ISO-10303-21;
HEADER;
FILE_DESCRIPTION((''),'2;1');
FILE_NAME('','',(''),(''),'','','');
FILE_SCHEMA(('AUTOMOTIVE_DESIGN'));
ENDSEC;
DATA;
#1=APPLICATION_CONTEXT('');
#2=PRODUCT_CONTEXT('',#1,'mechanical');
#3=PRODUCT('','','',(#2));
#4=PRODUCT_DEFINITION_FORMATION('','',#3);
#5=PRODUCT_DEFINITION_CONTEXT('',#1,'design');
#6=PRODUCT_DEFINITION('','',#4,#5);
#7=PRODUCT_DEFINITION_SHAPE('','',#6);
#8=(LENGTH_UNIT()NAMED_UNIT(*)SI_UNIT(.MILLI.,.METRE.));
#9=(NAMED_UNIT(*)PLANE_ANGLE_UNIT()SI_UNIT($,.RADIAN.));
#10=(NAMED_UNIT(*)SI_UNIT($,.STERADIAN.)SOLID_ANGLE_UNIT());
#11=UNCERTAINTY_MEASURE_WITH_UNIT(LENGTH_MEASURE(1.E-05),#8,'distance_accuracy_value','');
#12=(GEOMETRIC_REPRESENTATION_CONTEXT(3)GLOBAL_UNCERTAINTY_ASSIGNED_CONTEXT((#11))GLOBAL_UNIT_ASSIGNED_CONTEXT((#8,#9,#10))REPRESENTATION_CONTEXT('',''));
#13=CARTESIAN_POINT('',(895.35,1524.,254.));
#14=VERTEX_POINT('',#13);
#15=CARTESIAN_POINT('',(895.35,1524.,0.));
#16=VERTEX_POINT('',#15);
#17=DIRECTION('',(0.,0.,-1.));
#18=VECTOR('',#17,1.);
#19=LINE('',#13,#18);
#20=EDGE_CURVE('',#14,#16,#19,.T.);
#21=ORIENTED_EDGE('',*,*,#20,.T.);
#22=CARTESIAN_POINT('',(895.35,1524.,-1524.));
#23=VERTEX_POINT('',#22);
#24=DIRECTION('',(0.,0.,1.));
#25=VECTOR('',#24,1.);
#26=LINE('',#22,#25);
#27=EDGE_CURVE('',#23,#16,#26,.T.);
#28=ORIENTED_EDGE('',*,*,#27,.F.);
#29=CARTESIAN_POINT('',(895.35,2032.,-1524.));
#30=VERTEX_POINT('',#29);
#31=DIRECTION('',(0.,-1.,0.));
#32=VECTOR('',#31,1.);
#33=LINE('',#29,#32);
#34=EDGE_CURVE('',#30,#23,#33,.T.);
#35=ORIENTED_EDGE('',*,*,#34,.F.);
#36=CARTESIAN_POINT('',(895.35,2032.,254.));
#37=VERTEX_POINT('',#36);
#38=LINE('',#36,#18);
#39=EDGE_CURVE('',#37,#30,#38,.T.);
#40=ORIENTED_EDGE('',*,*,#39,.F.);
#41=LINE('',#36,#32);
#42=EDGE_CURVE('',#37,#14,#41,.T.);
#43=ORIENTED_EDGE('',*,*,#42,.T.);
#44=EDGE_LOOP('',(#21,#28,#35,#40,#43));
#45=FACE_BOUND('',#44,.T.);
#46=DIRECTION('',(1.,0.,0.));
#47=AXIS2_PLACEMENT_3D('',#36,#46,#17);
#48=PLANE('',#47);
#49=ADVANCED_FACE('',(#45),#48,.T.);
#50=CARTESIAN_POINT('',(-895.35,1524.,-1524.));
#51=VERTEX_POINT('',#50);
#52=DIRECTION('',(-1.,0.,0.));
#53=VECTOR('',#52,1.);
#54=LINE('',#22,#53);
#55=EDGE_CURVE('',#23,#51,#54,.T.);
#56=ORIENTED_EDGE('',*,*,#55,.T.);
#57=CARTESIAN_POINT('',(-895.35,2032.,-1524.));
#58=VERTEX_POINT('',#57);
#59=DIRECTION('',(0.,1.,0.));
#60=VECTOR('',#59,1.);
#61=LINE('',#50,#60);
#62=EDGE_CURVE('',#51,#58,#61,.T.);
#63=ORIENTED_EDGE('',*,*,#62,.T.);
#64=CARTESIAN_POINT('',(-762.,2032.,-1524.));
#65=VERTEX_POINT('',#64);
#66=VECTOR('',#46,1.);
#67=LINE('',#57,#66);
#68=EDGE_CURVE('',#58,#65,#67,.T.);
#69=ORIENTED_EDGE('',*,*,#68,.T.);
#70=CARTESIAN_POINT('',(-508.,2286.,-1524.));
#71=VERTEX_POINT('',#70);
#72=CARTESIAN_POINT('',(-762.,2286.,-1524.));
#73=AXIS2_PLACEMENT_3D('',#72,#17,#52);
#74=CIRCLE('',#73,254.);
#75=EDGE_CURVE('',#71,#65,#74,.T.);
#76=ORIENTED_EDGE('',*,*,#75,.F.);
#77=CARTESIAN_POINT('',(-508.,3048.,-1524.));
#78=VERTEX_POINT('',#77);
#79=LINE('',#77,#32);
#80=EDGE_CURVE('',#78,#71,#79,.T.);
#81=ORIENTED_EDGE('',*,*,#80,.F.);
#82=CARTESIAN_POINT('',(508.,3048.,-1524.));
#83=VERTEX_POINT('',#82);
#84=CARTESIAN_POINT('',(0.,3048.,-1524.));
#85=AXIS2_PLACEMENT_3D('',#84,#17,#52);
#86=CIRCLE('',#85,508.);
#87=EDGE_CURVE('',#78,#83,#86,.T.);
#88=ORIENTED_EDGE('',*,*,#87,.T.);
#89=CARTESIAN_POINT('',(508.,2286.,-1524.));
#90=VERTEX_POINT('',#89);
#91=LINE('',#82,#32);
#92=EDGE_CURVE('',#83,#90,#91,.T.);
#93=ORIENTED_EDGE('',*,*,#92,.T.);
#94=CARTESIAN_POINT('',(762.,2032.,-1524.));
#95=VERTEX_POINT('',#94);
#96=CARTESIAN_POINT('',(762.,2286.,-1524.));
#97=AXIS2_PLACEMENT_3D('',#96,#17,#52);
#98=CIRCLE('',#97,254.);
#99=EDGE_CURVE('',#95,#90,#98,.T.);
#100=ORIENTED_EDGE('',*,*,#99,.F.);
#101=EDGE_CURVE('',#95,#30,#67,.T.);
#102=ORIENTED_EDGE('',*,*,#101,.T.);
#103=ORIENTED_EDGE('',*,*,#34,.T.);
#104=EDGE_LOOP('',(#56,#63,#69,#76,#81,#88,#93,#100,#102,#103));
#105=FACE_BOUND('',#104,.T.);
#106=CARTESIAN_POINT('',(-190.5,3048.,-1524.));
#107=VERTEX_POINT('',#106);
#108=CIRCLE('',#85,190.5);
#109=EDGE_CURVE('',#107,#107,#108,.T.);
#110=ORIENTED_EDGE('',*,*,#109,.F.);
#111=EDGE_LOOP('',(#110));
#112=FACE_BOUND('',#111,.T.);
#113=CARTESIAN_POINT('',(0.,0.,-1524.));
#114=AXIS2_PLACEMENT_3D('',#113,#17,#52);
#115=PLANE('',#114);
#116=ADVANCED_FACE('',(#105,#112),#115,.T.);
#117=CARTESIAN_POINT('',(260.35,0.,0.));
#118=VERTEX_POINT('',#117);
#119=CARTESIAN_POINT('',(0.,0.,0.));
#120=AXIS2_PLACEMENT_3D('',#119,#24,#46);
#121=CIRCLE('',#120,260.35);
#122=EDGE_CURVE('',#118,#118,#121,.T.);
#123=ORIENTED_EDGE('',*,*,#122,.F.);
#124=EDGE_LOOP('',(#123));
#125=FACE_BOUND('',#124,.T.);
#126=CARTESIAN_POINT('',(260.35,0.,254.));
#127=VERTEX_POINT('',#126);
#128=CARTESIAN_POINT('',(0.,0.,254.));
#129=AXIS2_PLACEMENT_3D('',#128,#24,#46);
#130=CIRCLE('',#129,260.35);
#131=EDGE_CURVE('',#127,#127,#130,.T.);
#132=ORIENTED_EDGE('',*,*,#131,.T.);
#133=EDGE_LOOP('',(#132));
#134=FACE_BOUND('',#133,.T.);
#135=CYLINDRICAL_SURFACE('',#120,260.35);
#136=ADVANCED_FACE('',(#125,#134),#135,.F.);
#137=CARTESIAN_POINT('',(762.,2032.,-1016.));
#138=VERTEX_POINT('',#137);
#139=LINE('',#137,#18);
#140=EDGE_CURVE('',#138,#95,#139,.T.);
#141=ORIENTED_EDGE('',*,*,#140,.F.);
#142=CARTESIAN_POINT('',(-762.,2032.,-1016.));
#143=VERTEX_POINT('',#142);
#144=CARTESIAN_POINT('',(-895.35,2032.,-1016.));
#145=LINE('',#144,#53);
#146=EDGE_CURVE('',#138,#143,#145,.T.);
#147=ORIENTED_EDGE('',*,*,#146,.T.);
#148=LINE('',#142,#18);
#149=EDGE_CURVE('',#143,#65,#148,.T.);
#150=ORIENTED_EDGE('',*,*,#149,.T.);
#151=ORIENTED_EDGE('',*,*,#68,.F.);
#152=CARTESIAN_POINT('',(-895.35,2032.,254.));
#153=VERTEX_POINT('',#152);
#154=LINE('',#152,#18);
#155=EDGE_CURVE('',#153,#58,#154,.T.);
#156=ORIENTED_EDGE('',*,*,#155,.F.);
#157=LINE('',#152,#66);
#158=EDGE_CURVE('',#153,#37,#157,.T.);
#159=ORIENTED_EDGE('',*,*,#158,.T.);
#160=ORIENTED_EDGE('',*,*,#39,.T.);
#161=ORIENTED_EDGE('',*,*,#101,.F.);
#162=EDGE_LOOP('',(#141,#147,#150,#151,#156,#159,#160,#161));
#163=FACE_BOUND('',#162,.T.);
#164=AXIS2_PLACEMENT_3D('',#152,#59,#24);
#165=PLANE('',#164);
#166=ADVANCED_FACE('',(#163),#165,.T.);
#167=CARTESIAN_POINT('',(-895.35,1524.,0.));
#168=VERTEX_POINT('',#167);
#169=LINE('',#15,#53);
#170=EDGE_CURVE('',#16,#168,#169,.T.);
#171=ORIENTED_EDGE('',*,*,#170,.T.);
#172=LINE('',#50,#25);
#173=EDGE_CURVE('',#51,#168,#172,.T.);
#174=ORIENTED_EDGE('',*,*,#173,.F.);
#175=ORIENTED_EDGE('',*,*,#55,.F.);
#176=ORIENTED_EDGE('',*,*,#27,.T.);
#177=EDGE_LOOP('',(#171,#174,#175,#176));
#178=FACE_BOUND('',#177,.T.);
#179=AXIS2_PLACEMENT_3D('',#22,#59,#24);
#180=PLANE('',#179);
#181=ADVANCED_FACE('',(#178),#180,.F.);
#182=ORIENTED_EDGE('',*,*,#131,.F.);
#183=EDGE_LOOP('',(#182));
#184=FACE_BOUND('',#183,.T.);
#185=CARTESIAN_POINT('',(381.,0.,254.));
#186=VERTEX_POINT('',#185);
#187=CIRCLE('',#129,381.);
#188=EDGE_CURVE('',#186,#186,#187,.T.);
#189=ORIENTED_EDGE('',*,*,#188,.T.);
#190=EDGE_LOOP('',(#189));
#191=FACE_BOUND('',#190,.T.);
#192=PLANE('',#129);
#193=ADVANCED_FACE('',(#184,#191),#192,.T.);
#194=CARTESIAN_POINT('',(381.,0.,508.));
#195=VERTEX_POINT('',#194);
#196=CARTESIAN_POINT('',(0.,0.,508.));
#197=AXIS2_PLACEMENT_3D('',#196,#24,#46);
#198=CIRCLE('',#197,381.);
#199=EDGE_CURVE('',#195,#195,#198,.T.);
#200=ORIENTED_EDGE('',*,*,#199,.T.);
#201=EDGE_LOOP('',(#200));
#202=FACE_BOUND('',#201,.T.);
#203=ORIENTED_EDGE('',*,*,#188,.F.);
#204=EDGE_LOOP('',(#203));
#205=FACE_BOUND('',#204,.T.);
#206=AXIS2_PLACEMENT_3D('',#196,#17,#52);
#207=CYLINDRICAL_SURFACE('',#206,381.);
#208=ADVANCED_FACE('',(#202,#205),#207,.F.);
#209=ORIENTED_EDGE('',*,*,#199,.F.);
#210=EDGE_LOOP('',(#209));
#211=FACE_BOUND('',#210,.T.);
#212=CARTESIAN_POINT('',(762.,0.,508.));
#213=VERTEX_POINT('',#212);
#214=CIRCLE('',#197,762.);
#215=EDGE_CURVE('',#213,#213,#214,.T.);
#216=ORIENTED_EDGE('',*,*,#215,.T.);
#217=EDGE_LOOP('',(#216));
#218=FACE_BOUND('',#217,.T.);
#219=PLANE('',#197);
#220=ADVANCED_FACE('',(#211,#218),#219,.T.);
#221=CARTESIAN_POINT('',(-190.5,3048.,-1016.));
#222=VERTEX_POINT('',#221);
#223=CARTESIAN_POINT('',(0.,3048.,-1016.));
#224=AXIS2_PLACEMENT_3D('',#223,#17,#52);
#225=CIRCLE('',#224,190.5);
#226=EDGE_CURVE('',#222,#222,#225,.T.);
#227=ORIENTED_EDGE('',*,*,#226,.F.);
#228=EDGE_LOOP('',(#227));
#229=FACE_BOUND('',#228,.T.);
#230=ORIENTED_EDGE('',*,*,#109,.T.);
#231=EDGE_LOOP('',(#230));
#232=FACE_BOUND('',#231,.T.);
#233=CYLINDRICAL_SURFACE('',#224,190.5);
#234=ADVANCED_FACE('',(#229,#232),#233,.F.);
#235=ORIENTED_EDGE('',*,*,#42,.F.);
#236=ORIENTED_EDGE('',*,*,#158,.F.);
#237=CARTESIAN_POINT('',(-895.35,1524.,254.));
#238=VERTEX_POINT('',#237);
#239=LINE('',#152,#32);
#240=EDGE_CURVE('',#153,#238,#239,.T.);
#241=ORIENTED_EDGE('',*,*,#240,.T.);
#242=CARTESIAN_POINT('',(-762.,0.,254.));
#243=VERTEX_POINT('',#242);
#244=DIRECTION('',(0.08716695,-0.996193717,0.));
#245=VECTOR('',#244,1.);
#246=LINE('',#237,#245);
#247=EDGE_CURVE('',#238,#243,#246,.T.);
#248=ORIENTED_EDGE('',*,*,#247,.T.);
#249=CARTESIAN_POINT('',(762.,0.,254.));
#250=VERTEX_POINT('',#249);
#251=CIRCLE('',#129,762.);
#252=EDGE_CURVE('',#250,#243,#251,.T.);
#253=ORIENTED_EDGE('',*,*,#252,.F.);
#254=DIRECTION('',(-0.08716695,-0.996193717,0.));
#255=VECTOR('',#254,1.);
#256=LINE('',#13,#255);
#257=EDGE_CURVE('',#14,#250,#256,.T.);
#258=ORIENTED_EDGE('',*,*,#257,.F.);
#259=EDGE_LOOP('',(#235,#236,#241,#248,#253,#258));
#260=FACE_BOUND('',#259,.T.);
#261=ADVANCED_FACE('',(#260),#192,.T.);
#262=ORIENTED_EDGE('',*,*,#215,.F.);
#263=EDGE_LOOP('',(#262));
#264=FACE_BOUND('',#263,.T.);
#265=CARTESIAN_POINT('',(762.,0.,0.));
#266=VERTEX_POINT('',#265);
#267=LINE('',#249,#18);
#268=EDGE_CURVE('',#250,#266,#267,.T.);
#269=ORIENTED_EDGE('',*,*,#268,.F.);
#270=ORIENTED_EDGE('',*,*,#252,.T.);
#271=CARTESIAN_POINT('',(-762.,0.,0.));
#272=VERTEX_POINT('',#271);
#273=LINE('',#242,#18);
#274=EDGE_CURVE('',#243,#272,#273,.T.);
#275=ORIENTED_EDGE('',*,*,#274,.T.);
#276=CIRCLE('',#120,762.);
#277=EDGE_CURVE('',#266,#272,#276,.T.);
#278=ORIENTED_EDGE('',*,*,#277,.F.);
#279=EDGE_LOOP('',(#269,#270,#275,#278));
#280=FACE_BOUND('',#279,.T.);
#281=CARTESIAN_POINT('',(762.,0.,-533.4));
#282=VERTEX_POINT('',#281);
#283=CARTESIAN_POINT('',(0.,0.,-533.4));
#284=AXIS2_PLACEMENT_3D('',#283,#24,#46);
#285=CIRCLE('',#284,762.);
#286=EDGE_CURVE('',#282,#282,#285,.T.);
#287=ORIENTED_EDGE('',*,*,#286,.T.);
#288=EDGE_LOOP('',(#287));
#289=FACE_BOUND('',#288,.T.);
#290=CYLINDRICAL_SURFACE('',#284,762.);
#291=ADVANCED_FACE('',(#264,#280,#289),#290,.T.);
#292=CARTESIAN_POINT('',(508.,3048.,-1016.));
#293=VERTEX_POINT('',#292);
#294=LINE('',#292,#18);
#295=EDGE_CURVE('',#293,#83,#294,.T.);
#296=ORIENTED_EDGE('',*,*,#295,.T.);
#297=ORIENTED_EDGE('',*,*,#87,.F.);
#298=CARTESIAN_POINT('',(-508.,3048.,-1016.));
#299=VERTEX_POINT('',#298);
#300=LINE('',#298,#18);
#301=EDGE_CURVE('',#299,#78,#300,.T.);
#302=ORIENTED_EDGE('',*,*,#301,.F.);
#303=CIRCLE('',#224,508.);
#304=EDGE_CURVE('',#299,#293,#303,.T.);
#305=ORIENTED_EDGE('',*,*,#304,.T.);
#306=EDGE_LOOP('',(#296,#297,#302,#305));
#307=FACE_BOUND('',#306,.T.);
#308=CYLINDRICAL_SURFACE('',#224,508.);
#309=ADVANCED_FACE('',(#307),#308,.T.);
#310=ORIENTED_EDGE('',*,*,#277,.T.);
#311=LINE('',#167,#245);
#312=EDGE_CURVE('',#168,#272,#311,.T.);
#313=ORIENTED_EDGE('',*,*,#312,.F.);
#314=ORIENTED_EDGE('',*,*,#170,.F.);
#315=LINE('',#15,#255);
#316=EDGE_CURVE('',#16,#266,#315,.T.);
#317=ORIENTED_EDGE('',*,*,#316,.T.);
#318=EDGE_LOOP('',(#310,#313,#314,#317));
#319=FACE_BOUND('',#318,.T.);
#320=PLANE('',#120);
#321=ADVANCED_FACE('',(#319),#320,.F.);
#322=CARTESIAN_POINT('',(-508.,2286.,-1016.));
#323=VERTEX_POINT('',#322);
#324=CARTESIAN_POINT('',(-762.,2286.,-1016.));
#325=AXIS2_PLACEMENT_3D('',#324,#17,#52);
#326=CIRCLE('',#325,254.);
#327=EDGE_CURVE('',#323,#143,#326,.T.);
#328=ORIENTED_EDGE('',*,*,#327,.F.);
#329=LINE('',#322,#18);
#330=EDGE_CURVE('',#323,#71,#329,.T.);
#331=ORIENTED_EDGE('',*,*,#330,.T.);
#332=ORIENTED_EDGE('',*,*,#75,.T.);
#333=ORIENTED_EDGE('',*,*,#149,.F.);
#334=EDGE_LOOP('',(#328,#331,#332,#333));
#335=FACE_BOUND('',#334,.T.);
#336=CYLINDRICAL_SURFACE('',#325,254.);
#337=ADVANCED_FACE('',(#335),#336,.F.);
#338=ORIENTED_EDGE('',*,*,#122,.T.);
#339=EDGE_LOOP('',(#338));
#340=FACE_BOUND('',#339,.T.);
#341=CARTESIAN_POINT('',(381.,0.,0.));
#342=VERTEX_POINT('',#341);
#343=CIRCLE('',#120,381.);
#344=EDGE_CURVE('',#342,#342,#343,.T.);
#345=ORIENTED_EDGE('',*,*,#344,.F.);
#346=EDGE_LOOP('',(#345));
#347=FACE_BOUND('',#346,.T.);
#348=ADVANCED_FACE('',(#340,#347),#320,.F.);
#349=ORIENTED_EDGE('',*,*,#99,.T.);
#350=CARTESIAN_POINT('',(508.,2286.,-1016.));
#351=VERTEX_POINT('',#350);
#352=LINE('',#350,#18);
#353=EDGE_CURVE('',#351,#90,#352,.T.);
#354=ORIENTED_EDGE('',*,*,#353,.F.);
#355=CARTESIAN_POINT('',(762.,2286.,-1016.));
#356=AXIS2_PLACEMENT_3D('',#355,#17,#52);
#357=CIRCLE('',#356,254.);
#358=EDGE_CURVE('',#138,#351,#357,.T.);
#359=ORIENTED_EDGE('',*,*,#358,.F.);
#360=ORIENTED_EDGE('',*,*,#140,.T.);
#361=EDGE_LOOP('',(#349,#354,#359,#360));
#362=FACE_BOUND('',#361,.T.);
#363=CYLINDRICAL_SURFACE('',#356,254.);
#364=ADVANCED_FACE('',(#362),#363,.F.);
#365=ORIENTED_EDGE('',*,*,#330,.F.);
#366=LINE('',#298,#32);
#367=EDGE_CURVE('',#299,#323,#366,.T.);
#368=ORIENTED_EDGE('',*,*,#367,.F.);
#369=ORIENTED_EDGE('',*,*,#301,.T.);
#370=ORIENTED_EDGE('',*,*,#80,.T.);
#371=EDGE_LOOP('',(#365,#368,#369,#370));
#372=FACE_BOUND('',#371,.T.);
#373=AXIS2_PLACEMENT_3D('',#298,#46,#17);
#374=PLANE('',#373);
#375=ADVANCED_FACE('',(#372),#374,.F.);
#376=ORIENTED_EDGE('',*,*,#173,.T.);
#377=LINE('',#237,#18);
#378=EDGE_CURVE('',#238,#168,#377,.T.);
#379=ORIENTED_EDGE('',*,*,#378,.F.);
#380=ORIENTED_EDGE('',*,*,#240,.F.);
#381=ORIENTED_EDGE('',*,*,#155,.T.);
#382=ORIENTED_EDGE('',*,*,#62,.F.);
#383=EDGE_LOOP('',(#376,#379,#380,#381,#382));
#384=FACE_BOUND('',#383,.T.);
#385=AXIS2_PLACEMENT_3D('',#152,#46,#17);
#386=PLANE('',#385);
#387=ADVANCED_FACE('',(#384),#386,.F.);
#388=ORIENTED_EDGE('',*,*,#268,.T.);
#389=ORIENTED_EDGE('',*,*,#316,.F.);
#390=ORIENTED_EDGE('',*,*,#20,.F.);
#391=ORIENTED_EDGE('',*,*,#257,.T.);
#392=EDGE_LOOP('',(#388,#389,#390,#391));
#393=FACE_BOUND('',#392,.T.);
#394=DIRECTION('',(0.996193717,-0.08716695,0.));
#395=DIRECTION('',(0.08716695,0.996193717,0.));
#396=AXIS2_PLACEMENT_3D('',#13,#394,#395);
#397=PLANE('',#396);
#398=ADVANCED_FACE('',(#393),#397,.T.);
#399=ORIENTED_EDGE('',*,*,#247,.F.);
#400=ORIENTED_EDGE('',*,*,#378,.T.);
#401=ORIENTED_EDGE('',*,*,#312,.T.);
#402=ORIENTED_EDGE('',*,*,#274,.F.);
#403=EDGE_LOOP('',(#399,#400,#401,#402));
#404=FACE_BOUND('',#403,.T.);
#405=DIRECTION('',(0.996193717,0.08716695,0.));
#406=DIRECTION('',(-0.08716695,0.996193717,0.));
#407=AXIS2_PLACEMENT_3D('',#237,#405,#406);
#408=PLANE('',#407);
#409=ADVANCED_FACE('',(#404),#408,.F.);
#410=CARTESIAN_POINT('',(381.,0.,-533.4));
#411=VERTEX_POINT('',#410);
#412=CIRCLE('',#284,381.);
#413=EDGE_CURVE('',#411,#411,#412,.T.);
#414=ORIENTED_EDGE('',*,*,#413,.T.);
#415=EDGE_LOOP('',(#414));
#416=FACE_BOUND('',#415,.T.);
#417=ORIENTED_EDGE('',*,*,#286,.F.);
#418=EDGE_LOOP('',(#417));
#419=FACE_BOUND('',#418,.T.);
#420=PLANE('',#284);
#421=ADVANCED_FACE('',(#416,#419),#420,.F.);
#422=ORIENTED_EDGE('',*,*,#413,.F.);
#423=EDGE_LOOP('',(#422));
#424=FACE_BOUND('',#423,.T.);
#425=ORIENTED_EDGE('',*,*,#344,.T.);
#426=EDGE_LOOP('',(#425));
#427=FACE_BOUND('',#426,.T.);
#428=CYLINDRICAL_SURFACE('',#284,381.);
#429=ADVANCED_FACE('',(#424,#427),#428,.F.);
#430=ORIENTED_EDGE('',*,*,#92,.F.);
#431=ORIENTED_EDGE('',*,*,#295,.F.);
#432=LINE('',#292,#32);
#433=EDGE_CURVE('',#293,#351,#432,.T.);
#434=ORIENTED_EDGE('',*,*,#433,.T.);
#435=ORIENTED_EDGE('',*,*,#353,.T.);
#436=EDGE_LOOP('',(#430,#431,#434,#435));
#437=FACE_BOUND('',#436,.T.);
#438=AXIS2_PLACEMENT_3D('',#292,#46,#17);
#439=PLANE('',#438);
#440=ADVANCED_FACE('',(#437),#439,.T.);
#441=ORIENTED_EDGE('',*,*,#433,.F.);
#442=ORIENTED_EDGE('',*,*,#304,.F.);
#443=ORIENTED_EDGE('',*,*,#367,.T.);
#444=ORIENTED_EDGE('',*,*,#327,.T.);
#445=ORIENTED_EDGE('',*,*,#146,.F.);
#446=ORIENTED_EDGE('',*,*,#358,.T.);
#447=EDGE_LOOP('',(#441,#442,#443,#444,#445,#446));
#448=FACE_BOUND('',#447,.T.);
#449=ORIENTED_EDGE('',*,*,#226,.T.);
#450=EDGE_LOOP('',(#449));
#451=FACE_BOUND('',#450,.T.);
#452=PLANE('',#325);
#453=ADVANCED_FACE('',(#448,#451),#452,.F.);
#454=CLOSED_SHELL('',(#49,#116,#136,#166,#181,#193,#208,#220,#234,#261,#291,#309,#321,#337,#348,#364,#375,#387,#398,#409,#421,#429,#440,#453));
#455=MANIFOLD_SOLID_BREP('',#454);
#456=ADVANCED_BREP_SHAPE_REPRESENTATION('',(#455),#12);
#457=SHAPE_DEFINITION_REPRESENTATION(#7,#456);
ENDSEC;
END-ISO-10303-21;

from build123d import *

# Parameters (mm, degrees)
SKETCH1_R           = 762
SKETCH1_R_2         = 381
BOSS_EXTRUDE1_DEPTH = 533.4
BOSS_EXTRUDE3_START = 254
BOSS_EXTRUDE3_DEPTH = 254
SKETCH6_R           = 260.35
CUT_EXTRUDE1_DEPTH  = 254
BOSS_EXTRUDE4_START = 254
SKETCH7_R           = 762
SKETCH7_R_2         = 381
BOSS_EXTRUDE4_DEPTH = 254
SKETCH8_W           = 1790.7
SKETCH8_H           = 508
BOSS_EXTRUDE5_DEPTH = 1524
BOSS_EXTRUDE6_DEPTH = 508
SKETCH10_R          = 190.5
CUT_EXTRUDE2_DEPTH  = 508


with BuildPart() as part:
    # Sketch1 → Boss-Extrude1 (new body)
    with BuildSketch(Plane.XY):
        Circle(SKETCH1_R)
        Circle(SKETCH1_R_2, mode=Mode.SUBTRACT)
    extrude(amount=-BOSS_EXTRUDE1_DEPTH)

    # Sketch3 → Boss-Extrude3 (add)
    with BuildSketch(Plane.XY.offset(BOSS_EXTRUDE3_START)):
        with BuildLine():
            Line((-895.35, 2032), (-895.35, 1524))
            Line((-895.35, 1524), (-762, 0))
            ThreePointArc((-762, 0), (0, -762), (762, 0))
            Line((762, 0), (895.35, 1524))
            Line((895.35, 1524), (895.35, 2032))
            Line((895.35, 2032), (-895.35, 2032))
        make_face()
    extrude(amount=-BOSS_EXTRUDE3_DEPTH)

    # Sketch6 → Cut-Extrude1 (cut)
    with BuildSketch(Plane.XY.offset(254)):
        Circle(SKETCH6_R)
    extrude(amount=-CUT_EXTRUDE1_DEPTH, mode=Mode.SUBTRACT)

    # Sketch7 → Boss-Extrude4 (add)
    with BuildSketch(Plane.XY.offset(254).offset(BOSS_EXTRUDE4_START)):
        Circle(SKETCH7_R)
        Circle(SKETCH7_R_2, mode=Mode.SUBTRACT)
    extrude(amount=-BOSS_EXTRUDE4_DEPTH)

    # Sketch8 → Boss-Extrude5 (add)
    with BuildSketch(Plane(origin=(0, 0, 0), x_dir=(-1, 0, 0), z_dir=(0, 0, -1))):
        with Locations((0, 1778)):
            Rectangle(SKETCH8_W, SKETCH8_H)
    extrude(amount=BOSS_EXTRUDE5_DEPTH)

    # Sketch9 → Boss-Extrude6 (add)
    with BuildSketch(Plane(origin=(0, 0, -1524), x_dir=(-1, 0, 0), z_dir=(0, 0, -1))):
        with BuildLine():
            Line((-508, 3048), (-508, 2286))
            ThreePointArc((-508, 2286), (-582.394877579, 2106.394877579), (-762, 2032))
            Line((-762, 2032), (-895.35, 2032))
            Line((-895.35, 2032), (-895.35, 1524))
            Line((-895.35, 1524), (895.35, 1524))
            Line((895.35, 1524), (895.35, 2032))
            Line((895.35, 2032), (762, 2032))
            ThreePointArc((762, 2032), (582.394877579, 2106.394877579), (508, 2286))
            Line((508, 2286), (508, 3048))
            ThreePointArc((508, 3048), (0, 3556), (-508, 3048))
        make_face()
    extrude(amount=-BOSS_EXTRUDE6_DEPTH)

    # Sketch10 → Cut-Extrude2 (cut)
    with BuildSketch(Plane(origin=(0, 0, -1524), x_dir=(-1, 0, 0), z_dir=(0, 0, -1))):
        with Locations((0, 3048)):
            Circle(SKETCH10_R)
    extrude(amount=-CUT_EXTRUDE2_DEPTH, mode=Mode.SUBTRACT)


solid = part.part
